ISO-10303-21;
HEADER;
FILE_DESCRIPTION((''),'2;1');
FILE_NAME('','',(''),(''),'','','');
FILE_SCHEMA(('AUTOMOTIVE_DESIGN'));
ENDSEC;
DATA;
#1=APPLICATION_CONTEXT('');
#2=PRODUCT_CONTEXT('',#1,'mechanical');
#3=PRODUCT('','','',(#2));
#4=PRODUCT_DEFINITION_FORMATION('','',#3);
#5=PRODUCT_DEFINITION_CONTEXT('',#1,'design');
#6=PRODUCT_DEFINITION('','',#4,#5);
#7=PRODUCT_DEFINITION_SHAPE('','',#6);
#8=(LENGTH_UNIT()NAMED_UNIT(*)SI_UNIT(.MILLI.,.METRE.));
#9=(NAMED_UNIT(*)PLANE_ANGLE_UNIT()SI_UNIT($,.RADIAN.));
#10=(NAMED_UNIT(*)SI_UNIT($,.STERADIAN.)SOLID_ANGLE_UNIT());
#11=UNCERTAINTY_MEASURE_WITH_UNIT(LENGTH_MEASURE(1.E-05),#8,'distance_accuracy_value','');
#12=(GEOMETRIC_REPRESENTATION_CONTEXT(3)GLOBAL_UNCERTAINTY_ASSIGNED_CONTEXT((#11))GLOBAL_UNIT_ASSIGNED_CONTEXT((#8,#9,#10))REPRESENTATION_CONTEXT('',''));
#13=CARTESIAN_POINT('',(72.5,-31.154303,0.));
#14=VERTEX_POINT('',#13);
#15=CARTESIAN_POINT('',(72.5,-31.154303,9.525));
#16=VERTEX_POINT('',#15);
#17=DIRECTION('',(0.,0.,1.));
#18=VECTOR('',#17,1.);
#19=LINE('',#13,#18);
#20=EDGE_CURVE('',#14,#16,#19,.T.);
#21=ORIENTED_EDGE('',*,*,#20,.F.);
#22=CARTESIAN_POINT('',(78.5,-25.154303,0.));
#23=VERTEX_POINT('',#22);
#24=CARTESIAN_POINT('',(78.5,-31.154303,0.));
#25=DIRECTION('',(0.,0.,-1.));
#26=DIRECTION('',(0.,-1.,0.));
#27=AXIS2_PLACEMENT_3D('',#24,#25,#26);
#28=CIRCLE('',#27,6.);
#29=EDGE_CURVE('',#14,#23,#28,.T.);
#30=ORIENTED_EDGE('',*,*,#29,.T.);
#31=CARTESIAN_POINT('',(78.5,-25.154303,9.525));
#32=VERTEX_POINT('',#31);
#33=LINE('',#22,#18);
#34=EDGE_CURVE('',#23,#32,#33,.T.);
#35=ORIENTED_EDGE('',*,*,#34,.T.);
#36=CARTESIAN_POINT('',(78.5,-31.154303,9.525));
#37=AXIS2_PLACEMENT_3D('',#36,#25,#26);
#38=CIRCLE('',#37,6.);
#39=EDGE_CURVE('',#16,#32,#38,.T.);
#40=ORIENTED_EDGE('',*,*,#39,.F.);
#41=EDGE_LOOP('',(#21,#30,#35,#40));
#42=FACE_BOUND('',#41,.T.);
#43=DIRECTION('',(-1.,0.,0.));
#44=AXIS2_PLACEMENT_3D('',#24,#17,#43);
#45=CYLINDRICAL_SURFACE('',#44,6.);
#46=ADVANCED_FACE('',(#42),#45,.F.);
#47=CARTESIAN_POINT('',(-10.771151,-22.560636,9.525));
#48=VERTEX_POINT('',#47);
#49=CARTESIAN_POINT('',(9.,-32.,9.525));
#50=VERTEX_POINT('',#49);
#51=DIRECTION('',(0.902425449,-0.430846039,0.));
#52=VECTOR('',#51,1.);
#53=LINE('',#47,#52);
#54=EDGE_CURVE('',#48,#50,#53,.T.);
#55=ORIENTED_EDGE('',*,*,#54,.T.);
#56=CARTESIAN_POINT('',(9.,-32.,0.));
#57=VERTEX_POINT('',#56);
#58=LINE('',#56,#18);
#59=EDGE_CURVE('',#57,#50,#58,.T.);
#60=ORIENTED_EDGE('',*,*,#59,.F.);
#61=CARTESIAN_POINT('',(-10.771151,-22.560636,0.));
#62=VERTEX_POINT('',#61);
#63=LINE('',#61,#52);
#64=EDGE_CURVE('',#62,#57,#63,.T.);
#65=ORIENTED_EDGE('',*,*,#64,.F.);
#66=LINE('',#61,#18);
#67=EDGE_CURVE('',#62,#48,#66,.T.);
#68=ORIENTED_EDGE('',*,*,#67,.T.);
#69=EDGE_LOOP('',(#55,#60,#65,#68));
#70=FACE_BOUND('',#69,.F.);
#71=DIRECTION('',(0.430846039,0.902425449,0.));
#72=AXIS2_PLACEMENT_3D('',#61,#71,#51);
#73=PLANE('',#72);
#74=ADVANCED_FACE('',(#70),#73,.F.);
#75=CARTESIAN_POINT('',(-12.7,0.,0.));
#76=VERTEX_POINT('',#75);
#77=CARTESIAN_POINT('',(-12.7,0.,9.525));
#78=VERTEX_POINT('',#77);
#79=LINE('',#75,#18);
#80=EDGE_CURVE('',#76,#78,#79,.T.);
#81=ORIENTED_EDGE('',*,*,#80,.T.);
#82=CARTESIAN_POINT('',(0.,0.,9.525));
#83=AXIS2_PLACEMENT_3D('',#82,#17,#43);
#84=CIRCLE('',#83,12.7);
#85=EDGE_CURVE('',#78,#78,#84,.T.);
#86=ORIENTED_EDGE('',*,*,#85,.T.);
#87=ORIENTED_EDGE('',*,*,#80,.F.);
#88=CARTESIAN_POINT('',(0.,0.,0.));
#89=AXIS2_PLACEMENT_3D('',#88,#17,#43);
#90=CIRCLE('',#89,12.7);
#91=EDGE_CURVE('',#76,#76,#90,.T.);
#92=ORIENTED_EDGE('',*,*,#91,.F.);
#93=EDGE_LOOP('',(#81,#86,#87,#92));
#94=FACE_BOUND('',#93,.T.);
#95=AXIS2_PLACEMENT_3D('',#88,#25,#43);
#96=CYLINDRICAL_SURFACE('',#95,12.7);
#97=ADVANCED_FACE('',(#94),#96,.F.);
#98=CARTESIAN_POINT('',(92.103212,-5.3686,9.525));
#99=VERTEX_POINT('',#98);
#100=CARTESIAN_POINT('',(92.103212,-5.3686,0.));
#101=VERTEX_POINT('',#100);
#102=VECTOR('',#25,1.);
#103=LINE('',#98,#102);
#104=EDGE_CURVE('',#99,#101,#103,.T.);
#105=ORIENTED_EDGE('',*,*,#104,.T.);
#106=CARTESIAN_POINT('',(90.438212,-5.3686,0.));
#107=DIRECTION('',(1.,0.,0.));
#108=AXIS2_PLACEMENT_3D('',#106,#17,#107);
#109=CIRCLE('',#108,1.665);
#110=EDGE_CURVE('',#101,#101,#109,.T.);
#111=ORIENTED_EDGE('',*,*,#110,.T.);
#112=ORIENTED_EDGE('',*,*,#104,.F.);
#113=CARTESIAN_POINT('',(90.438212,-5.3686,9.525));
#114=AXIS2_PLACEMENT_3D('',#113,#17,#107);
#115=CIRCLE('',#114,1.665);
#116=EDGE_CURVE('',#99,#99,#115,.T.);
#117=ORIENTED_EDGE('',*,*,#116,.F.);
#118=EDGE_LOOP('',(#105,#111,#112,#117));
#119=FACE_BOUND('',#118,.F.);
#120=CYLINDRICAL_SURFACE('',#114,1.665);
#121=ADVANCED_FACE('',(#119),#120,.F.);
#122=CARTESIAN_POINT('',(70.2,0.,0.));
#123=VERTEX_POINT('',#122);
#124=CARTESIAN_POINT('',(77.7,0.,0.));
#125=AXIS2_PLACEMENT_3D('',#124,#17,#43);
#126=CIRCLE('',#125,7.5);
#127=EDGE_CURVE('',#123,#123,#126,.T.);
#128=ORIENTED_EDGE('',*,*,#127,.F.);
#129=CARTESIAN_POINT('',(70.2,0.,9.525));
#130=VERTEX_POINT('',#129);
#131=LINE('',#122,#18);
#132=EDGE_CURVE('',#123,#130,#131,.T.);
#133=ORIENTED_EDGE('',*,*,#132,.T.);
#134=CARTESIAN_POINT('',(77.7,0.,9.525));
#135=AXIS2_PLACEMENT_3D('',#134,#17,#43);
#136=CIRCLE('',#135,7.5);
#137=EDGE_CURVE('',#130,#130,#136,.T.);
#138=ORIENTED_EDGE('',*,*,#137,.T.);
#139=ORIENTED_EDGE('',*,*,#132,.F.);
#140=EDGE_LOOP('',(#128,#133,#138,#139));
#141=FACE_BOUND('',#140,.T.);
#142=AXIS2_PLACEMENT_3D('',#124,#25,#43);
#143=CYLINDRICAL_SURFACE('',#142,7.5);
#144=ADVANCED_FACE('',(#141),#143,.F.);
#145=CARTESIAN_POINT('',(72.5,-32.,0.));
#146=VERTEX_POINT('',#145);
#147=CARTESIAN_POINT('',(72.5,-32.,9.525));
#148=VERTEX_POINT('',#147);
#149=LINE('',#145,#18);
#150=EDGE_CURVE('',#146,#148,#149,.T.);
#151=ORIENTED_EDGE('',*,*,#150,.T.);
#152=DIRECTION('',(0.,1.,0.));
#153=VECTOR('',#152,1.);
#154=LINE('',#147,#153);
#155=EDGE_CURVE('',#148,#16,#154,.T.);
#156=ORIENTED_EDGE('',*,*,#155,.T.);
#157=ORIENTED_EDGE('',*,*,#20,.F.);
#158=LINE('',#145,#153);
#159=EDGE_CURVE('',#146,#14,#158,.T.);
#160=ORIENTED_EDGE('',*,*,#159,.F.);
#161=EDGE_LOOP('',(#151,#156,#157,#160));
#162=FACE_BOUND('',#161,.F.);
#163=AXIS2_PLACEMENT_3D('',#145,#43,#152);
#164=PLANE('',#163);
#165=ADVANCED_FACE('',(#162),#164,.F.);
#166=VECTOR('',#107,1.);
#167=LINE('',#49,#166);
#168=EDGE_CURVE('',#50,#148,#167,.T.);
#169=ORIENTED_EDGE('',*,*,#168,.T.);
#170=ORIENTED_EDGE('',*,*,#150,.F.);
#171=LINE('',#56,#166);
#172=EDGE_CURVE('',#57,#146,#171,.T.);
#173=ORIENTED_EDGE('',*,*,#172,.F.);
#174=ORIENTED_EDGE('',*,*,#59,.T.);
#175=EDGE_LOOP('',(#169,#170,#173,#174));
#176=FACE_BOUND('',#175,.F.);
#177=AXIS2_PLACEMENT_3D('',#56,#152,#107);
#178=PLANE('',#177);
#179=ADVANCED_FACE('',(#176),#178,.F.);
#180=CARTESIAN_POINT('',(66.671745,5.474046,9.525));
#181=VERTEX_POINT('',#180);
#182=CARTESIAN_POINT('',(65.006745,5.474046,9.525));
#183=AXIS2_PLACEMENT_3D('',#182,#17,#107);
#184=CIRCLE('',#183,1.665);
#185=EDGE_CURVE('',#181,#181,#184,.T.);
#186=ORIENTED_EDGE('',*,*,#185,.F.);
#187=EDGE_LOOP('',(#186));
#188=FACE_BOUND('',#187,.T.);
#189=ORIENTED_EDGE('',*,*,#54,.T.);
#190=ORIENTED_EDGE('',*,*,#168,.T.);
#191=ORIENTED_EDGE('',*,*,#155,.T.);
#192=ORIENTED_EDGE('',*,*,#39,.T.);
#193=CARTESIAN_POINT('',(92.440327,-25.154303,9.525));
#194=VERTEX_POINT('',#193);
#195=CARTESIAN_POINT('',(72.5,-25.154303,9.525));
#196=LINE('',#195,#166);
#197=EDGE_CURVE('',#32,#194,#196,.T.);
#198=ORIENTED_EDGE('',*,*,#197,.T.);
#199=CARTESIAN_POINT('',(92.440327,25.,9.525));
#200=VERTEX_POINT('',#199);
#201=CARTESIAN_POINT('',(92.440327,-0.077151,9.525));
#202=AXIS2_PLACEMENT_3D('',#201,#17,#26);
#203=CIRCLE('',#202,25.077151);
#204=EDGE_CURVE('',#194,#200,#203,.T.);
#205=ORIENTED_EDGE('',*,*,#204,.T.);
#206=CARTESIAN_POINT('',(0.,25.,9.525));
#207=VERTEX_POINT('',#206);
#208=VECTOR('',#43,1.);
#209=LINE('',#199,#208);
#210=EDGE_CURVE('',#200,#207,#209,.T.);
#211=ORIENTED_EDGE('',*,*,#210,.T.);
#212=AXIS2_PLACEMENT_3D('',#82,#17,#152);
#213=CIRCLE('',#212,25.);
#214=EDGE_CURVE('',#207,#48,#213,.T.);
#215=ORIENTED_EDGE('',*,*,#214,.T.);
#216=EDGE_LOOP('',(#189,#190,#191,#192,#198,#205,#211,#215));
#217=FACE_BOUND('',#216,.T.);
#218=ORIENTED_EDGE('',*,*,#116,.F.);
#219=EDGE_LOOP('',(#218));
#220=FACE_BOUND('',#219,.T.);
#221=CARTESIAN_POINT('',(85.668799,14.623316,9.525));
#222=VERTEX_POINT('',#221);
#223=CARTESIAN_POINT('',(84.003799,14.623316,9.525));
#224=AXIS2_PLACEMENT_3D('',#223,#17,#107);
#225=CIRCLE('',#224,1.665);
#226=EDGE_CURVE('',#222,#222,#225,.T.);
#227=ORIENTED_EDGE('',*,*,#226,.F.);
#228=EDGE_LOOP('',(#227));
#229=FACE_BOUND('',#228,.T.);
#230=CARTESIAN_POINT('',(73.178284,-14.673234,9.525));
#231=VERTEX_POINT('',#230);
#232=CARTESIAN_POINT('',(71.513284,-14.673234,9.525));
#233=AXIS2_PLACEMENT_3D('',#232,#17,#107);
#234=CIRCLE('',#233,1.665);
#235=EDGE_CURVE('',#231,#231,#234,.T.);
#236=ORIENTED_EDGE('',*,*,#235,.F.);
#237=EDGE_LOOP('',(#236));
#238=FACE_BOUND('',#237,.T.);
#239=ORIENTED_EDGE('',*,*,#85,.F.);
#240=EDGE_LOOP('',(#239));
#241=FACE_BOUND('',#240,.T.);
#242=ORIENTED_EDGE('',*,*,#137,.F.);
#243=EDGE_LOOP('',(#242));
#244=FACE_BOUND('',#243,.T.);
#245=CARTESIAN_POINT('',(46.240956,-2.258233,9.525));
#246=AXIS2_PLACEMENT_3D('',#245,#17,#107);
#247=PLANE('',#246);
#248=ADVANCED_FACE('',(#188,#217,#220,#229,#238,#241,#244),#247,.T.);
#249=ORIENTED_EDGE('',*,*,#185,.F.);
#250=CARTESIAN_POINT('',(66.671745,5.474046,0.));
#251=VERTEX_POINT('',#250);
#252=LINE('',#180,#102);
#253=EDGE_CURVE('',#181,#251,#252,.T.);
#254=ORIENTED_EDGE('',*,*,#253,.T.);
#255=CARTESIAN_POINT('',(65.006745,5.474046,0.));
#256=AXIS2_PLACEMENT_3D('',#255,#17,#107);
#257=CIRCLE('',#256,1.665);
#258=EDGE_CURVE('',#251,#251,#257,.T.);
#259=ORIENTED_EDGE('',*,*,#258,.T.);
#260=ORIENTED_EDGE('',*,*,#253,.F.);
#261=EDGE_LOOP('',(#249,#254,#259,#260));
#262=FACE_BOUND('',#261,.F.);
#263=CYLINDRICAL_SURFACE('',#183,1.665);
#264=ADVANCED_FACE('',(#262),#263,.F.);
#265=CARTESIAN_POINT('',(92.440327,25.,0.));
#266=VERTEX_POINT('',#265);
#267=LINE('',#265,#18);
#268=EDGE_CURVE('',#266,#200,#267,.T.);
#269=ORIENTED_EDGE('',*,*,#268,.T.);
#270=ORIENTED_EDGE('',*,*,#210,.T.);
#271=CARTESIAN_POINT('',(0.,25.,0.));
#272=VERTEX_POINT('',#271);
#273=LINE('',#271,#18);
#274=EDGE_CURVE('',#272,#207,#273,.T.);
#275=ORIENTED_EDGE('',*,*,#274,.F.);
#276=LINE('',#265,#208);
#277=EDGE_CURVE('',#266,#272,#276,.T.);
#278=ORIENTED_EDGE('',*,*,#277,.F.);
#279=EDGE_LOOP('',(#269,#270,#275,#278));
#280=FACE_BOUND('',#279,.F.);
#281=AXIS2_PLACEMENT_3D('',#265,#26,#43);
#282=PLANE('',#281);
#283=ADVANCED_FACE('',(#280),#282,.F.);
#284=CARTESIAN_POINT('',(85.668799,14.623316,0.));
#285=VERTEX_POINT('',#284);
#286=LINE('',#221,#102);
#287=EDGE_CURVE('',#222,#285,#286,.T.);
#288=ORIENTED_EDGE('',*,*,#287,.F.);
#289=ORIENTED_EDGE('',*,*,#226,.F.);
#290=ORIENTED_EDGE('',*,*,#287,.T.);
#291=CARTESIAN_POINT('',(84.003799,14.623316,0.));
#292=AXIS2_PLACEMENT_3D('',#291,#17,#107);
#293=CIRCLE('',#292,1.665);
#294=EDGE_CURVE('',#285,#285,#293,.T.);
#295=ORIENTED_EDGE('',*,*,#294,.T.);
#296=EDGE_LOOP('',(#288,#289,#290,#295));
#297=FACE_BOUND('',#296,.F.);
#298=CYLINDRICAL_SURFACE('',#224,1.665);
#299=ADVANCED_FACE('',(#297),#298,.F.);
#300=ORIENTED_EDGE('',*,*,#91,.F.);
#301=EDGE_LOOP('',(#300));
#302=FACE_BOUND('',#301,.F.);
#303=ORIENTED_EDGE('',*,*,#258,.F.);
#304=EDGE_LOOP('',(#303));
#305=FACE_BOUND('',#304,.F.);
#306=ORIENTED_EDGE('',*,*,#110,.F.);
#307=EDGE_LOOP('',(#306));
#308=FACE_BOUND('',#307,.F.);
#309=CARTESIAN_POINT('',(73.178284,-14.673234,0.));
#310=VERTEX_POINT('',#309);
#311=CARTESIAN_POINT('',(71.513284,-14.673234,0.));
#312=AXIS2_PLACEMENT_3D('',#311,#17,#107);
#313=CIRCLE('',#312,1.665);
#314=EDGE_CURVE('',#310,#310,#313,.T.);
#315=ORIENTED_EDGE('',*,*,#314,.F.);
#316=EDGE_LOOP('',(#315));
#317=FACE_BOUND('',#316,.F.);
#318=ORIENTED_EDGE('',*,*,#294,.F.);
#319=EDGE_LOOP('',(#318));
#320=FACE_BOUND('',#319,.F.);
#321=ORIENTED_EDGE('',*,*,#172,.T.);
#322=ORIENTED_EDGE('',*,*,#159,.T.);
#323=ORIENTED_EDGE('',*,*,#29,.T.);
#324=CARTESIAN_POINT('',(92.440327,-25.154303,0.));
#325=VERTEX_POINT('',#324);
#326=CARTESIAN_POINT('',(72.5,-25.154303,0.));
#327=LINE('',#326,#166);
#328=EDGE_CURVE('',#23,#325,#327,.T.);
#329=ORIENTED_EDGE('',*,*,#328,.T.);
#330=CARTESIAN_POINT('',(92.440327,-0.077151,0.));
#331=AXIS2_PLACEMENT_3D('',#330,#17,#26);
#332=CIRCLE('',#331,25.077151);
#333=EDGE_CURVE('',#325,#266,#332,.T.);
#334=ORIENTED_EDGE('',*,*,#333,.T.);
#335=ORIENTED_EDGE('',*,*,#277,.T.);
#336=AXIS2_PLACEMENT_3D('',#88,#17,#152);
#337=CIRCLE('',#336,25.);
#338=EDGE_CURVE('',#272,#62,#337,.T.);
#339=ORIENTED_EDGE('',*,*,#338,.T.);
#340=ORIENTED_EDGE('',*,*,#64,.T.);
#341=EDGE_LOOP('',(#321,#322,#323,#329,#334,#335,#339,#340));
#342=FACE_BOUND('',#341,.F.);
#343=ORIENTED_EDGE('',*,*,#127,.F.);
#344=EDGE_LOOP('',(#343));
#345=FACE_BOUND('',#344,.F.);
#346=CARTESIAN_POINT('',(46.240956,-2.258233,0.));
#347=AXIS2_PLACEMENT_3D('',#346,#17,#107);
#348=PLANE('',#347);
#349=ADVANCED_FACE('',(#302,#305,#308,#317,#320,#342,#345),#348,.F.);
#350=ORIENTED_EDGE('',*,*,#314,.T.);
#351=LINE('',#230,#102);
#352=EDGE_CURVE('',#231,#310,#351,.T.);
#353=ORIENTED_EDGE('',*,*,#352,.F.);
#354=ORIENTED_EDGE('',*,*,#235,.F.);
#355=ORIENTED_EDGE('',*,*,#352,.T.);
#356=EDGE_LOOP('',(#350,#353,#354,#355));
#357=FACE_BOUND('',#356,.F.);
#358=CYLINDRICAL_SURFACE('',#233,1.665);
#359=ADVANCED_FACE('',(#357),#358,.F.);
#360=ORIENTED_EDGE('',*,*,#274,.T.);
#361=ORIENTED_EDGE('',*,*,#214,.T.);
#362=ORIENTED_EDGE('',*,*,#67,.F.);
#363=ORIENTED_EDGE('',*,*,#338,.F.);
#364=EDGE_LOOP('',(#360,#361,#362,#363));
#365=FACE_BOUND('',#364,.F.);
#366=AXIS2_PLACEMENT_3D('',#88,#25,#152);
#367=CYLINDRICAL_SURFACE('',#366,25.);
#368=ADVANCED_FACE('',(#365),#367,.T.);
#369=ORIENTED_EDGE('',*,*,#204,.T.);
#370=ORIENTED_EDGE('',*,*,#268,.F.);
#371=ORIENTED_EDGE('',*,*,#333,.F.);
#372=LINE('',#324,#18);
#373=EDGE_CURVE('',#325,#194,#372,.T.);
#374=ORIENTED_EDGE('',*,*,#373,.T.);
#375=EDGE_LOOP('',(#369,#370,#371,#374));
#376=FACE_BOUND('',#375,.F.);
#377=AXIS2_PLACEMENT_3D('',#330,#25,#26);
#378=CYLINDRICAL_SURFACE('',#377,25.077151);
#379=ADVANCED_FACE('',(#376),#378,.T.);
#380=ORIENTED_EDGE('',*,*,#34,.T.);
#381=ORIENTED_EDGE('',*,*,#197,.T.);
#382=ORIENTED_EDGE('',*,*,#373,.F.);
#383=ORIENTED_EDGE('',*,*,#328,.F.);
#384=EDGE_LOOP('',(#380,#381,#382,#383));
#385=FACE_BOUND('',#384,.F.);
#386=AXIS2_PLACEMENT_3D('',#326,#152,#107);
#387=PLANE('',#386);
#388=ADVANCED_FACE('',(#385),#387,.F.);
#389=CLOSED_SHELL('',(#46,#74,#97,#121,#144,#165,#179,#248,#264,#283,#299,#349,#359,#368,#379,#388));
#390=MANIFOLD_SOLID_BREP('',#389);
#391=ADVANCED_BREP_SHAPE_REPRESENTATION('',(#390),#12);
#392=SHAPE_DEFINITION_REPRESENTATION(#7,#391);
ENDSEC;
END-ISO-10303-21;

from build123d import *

# Parameters (mm, degrees)
SKETCH1_R           = 12.7
SKETCH1_R_2         = 7.5
BOSS_EXTRUDE1_DEPTH = 9.525
FILLET1_R           = 6
SKETCH6_R           = 1.665
CUT_EXTRUDE1_DEPTH  = 123.168257963


with BuildPart() as part:
    # Sketch1 → Boss-Extrude1 (new body)
    with BuildSketch(Plane.XY):
        with BuildLine():
            Line((9, -32), (72.5, -32))
            Line((72.5, -32), (72.5, -25.154302825))
            Line((72.5, -25.154302825), (79.665584639, -25.154302825))
            Line((79.665584639, -25.154302825), (92.440326559, -25.154302825))
            ThreePointArc((92.440326559, -25.154302825), (117.517477972, -0.077151413), (92.440326559, 25))
            Line((92.440326559, 25), (77.7, 25))
            Line((77.7, 25), (0, 25))
            ThreePointArc((0, 25), (-24.382533763, 5.521960459), (-10.771150987, -22.560636215))
            Line((-10.771150987, -22.560636215), (9, -32))
        make_face()
        with Locations(Location((0, 0, 0), (0, 0, 180))):
            Circle(SKETCH1_R, mode=Mode.SUBTRACT)
        with Locations(Location((77.7, 0, 0), (0, 0, 180))):
            Circle(SKETCH1_R_2, mode=Mode.SUBTRACT)
    extrude(amount=BOSS_EXTRUDE1_DEPTH)

    # Fillet1
    fillet1_edges = [part.edges().sort_by_distance(p)[0] for p in [
        (72.5, -25.154302825, 4.7625),
    ]]
    fillet(fillet1_edges, radius=FILLET1_R)

    # Sketch6 → Cut-Extrude1 (cut, through all)
    with BuildSketch(Plane.XY.offset(9.525)):
        with Locations((71.513283589, -14.673233797)):
            Circle(SKETCH6_R)
        with Locations((65.006745214, 5.474046027)):
            Circle(SKETCH6_R)
        with Locations((84.003798538, 14.623316108)):
            Circle(SKETCH6_R)
        with Locations((90.43821159, -5.368599676)):
            Circle(SKETCH6_R)
    extrude(amount=-CUT_EXTRUDE1_DEPTH, mode=Mode.SUBTRACT)


solid = part.part
